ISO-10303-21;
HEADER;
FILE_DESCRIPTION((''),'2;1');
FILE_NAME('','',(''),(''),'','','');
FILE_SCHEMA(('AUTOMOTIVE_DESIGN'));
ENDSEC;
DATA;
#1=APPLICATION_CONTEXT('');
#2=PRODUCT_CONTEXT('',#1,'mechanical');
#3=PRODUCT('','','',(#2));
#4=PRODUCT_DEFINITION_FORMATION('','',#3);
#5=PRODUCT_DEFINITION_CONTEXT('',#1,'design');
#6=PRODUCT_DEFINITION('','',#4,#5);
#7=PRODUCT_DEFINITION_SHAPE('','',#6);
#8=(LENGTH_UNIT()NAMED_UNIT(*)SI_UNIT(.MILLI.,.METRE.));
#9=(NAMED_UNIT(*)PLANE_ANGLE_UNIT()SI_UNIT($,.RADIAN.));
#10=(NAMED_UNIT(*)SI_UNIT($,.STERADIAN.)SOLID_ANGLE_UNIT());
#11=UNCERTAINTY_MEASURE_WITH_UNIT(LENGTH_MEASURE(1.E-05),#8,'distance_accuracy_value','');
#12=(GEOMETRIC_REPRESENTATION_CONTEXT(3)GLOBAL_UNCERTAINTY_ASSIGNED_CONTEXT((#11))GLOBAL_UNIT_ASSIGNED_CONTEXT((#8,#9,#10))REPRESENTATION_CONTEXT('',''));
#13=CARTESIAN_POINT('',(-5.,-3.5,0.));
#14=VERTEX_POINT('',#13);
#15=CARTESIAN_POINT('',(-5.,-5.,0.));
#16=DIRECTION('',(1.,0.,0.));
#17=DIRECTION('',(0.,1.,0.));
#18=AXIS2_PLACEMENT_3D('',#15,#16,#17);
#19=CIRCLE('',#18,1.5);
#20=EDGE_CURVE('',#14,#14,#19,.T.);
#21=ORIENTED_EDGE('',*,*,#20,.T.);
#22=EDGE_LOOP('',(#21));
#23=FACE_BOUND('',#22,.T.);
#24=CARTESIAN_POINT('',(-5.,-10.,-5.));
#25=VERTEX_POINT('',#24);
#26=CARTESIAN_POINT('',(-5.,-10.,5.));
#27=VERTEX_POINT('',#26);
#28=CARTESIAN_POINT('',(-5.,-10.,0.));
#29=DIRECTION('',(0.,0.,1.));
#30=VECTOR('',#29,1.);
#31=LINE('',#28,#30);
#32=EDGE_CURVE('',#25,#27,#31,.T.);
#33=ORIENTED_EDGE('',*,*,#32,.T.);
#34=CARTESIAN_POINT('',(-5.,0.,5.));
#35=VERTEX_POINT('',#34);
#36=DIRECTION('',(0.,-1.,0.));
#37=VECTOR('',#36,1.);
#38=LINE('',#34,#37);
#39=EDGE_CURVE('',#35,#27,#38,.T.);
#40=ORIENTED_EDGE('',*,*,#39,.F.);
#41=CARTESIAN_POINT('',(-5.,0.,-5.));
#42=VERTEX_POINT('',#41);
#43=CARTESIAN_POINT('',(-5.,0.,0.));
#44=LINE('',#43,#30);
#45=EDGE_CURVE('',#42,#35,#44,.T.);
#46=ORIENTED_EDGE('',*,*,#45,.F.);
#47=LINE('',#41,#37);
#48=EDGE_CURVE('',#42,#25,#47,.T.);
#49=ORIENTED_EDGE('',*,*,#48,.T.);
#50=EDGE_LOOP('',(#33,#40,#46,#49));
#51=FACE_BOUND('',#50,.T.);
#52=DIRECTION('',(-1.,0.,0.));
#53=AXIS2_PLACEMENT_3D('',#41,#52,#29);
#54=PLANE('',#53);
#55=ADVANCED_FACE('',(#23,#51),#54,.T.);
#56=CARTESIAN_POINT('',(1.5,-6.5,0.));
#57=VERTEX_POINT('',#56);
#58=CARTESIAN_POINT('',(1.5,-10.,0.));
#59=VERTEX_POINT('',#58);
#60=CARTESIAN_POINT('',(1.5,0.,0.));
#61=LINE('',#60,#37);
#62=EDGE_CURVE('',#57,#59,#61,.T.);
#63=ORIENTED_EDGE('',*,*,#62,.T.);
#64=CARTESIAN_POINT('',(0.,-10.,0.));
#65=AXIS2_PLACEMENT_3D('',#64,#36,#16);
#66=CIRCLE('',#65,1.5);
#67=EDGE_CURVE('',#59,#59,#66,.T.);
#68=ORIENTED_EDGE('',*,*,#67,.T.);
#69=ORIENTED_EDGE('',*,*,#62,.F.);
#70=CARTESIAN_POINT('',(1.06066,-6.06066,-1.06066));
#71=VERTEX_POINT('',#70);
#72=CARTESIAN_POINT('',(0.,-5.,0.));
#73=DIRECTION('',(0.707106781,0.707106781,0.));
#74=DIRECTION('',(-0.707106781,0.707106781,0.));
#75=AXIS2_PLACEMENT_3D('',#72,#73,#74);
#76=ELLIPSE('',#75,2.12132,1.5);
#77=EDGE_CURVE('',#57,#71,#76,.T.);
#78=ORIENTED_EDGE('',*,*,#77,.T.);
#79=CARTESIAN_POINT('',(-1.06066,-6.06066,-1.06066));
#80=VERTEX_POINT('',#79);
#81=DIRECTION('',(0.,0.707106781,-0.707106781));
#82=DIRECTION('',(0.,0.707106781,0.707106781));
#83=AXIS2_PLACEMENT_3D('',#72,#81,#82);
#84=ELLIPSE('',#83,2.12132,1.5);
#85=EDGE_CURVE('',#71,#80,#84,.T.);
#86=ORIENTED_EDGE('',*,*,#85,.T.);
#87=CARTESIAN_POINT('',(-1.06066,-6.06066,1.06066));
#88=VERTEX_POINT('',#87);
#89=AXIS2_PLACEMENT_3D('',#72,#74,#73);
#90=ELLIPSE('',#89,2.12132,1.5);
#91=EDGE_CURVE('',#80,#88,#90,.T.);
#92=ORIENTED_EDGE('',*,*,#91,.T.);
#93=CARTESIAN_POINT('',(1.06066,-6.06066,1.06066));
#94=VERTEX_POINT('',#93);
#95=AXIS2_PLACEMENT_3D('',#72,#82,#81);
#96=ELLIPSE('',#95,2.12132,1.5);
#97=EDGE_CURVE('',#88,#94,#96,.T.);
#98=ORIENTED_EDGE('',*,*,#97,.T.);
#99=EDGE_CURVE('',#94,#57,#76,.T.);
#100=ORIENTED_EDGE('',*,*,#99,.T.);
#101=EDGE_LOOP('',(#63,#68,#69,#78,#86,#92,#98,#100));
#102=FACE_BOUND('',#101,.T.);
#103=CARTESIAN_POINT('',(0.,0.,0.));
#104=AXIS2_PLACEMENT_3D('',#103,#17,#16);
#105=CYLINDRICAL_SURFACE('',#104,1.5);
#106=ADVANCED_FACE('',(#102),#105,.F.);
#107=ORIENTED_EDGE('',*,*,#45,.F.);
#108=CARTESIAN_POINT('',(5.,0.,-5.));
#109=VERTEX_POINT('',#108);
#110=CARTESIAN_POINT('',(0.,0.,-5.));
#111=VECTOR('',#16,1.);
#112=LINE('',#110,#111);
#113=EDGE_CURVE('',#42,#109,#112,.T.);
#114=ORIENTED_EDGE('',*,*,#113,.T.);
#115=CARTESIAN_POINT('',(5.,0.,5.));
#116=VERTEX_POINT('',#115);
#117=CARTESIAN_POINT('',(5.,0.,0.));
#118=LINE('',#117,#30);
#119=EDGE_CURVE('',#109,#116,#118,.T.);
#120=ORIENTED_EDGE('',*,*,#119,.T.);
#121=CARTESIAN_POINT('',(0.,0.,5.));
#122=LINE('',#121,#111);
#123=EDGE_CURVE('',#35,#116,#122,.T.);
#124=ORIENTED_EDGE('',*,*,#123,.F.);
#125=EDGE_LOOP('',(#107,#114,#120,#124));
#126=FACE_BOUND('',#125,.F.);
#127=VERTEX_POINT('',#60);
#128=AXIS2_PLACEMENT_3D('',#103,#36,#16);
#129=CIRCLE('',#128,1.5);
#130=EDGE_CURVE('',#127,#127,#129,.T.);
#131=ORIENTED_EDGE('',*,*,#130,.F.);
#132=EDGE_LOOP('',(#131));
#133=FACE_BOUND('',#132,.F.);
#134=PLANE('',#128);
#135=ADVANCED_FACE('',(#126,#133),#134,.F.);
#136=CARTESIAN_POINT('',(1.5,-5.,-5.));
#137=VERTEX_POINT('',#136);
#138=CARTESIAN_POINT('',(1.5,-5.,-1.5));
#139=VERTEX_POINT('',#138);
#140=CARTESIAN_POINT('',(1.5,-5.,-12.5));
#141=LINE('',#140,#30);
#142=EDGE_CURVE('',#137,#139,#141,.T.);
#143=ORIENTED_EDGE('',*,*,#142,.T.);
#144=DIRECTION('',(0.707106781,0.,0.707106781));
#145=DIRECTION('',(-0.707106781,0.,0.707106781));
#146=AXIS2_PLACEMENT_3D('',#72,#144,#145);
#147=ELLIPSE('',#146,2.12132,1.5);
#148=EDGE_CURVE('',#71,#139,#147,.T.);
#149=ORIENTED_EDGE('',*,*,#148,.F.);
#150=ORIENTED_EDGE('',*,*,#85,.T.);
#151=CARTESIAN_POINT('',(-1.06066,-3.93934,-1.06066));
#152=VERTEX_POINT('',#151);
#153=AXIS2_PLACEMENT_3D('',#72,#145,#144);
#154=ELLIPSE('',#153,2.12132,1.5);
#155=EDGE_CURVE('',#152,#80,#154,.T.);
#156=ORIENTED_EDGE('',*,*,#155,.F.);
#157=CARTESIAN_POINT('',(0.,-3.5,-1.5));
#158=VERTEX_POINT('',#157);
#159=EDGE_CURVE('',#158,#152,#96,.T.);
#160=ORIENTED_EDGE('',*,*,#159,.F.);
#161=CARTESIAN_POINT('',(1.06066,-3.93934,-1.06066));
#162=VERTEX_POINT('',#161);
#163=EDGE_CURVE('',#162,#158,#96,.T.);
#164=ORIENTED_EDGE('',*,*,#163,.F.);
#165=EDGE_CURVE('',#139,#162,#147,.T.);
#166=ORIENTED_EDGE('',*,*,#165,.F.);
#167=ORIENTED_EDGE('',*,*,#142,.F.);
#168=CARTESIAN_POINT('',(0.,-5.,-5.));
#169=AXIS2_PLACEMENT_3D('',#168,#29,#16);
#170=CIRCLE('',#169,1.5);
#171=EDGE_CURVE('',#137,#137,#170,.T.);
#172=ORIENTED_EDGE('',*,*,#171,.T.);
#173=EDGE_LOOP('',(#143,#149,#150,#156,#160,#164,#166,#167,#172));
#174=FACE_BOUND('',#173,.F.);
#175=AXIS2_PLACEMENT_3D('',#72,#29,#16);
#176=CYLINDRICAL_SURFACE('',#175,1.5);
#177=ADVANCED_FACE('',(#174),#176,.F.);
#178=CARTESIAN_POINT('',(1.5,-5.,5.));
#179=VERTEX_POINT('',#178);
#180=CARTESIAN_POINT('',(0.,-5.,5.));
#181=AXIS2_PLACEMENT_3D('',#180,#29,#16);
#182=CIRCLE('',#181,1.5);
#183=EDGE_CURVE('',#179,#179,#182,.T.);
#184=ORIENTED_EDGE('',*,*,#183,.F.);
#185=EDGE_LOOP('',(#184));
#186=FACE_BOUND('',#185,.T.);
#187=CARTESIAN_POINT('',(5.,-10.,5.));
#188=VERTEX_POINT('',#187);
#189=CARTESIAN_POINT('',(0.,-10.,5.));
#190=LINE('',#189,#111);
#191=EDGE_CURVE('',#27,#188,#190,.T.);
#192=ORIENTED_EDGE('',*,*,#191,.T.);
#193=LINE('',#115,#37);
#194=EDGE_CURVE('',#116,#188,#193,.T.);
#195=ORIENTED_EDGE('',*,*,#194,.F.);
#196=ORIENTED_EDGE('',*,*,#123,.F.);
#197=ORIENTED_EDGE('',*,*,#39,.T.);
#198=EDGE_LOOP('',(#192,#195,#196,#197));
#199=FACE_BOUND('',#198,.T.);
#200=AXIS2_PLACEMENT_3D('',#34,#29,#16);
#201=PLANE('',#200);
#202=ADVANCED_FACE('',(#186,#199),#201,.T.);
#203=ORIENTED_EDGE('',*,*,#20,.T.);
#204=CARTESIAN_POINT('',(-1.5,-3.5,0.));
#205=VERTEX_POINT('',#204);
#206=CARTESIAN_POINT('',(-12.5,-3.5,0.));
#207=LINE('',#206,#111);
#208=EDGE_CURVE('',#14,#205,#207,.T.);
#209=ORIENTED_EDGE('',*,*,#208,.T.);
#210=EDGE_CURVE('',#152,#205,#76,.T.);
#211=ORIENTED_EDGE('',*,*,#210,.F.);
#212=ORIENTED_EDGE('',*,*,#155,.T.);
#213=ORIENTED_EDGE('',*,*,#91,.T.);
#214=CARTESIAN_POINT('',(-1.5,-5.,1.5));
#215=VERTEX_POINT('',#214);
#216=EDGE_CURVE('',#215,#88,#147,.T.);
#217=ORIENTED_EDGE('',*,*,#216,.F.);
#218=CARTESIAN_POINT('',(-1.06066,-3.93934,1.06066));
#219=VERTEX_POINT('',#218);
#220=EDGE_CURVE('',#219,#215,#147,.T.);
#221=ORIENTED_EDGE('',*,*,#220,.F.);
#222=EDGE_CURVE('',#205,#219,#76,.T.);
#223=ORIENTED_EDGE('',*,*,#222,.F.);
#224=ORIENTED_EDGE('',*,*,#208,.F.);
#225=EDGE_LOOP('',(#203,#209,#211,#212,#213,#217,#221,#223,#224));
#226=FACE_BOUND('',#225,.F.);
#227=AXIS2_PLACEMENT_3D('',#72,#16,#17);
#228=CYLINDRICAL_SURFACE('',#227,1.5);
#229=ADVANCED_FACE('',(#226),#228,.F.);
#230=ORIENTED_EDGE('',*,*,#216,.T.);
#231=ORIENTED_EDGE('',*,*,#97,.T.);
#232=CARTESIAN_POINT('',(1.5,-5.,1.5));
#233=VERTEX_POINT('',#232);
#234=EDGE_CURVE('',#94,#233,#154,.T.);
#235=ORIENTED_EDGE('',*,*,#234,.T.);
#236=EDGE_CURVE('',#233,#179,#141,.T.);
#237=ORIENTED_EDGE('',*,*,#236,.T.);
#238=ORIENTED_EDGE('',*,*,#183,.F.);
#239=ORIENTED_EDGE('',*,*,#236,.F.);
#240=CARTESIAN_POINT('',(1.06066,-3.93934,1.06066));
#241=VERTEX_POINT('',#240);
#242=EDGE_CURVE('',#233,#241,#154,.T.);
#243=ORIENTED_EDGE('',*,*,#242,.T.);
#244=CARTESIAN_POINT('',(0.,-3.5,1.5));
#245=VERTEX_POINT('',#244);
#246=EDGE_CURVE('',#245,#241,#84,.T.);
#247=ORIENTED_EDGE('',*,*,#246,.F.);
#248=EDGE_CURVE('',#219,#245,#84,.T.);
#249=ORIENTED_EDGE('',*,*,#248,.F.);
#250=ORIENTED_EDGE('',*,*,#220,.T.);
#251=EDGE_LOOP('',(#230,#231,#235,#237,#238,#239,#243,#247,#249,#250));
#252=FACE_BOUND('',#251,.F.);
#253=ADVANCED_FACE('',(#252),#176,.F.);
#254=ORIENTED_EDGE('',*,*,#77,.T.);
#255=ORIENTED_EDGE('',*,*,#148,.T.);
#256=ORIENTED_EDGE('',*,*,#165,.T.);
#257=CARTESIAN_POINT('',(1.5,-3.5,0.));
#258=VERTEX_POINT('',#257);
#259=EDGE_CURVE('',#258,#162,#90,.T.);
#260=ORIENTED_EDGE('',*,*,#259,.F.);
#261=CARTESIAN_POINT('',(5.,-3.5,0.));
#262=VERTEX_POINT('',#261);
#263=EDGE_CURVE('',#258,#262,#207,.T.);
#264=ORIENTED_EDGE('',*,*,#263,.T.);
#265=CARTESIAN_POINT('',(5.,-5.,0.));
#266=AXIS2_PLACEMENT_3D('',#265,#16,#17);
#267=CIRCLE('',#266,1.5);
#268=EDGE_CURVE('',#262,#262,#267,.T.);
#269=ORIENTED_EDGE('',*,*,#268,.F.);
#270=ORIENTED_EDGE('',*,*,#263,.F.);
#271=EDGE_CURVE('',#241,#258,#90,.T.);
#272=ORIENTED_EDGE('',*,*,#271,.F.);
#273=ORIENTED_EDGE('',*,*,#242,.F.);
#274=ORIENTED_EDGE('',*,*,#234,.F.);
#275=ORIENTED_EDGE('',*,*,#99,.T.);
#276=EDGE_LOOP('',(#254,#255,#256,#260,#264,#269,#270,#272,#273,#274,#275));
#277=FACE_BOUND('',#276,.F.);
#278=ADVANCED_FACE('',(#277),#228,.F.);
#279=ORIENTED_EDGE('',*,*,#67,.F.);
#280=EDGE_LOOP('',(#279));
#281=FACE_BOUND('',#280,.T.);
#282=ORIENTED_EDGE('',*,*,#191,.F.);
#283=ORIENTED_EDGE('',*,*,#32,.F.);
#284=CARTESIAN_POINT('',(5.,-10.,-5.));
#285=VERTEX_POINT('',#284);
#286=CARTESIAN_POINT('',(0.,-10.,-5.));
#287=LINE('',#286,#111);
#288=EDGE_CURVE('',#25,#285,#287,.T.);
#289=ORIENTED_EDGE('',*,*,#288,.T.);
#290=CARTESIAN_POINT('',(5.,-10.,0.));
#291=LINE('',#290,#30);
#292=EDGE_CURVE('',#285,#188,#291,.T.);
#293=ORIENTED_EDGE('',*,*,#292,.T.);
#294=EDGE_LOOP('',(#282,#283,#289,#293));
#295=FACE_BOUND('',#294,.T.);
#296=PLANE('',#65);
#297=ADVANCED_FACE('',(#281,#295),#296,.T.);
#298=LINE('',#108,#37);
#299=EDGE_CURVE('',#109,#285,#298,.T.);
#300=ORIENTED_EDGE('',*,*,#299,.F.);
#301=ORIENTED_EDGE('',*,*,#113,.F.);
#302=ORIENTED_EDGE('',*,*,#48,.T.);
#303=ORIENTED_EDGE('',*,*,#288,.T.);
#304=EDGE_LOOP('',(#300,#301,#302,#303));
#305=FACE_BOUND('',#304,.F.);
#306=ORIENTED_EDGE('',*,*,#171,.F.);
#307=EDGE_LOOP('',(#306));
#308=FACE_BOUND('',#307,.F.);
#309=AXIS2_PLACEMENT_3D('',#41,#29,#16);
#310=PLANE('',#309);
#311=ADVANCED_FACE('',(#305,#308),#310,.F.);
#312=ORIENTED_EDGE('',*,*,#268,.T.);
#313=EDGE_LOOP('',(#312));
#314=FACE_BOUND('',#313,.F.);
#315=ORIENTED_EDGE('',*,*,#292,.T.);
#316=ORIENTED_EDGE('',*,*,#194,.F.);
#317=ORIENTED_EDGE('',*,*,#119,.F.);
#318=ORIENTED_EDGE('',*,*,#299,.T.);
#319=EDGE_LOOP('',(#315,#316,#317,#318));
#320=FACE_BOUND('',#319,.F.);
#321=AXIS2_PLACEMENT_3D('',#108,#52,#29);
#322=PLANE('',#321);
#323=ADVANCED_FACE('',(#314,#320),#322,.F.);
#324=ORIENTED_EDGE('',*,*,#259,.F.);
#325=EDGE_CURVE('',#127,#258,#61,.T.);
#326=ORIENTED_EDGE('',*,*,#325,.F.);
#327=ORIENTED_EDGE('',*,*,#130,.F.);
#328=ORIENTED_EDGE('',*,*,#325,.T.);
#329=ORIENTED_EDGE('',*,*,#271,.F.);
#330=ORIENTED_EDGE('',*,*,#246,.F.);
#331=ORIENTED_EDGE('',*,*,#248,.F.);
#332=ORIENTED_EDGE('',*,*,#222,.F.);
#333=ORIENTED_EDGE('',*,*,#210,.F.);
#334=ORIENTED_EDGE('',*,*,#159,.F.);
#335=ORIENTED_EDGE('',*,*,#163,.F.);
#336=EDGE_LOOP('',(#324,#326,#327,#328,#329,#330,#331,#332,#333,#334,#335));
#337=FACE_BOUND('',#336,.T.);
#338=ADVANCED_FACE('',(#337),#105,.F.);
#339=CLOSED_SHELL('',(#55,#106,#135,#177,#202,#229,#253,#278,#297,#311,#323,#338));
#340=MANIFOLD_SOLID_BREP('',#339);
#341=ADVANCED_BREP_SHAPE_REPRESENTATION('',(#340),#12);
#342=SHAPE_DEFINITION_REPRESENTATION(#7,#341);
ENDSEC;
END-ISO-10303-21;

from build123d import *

# Parameters (mm, degrees)
F0_W     = 10
F0_H     = 10
F0_R     = 1.5
F1_DEPTH = 10
F2_R     = 1.5
F3_DEPTH = 12.5
F4_R     = 1.5
F5_DEPTH = 12.5


with BuildPart() as f1:
    # F0 (on Front) → F1 (new body)
    with BuildSketch(Plane.XZ):
        Rectangle(F0_W, F0_H)
        Circle(F0_R, mode=Mode.SUBTRACT)
    extrude(amount=F1_DEPTH)

    # F2 (on Top) → F3 (cut, symmetric)
    with BuildSketch(Plane.XY):
        with Locations((0, -5)):
            Circle(F2_R)
    extrude(amount=F3_DEPTH, both=True, mode=Mode.SUBTRACT)

    # F4 (on Right) → F5 (cut, symmetric)
    with BuildSketch(Plane.YZ):
        with Locations((-5, 0)):
            Circle(F4_R)
    extrude(amount=F5_DEPTH, both=True, mode=Mode.SUBTRACT)


solid = f1.part
